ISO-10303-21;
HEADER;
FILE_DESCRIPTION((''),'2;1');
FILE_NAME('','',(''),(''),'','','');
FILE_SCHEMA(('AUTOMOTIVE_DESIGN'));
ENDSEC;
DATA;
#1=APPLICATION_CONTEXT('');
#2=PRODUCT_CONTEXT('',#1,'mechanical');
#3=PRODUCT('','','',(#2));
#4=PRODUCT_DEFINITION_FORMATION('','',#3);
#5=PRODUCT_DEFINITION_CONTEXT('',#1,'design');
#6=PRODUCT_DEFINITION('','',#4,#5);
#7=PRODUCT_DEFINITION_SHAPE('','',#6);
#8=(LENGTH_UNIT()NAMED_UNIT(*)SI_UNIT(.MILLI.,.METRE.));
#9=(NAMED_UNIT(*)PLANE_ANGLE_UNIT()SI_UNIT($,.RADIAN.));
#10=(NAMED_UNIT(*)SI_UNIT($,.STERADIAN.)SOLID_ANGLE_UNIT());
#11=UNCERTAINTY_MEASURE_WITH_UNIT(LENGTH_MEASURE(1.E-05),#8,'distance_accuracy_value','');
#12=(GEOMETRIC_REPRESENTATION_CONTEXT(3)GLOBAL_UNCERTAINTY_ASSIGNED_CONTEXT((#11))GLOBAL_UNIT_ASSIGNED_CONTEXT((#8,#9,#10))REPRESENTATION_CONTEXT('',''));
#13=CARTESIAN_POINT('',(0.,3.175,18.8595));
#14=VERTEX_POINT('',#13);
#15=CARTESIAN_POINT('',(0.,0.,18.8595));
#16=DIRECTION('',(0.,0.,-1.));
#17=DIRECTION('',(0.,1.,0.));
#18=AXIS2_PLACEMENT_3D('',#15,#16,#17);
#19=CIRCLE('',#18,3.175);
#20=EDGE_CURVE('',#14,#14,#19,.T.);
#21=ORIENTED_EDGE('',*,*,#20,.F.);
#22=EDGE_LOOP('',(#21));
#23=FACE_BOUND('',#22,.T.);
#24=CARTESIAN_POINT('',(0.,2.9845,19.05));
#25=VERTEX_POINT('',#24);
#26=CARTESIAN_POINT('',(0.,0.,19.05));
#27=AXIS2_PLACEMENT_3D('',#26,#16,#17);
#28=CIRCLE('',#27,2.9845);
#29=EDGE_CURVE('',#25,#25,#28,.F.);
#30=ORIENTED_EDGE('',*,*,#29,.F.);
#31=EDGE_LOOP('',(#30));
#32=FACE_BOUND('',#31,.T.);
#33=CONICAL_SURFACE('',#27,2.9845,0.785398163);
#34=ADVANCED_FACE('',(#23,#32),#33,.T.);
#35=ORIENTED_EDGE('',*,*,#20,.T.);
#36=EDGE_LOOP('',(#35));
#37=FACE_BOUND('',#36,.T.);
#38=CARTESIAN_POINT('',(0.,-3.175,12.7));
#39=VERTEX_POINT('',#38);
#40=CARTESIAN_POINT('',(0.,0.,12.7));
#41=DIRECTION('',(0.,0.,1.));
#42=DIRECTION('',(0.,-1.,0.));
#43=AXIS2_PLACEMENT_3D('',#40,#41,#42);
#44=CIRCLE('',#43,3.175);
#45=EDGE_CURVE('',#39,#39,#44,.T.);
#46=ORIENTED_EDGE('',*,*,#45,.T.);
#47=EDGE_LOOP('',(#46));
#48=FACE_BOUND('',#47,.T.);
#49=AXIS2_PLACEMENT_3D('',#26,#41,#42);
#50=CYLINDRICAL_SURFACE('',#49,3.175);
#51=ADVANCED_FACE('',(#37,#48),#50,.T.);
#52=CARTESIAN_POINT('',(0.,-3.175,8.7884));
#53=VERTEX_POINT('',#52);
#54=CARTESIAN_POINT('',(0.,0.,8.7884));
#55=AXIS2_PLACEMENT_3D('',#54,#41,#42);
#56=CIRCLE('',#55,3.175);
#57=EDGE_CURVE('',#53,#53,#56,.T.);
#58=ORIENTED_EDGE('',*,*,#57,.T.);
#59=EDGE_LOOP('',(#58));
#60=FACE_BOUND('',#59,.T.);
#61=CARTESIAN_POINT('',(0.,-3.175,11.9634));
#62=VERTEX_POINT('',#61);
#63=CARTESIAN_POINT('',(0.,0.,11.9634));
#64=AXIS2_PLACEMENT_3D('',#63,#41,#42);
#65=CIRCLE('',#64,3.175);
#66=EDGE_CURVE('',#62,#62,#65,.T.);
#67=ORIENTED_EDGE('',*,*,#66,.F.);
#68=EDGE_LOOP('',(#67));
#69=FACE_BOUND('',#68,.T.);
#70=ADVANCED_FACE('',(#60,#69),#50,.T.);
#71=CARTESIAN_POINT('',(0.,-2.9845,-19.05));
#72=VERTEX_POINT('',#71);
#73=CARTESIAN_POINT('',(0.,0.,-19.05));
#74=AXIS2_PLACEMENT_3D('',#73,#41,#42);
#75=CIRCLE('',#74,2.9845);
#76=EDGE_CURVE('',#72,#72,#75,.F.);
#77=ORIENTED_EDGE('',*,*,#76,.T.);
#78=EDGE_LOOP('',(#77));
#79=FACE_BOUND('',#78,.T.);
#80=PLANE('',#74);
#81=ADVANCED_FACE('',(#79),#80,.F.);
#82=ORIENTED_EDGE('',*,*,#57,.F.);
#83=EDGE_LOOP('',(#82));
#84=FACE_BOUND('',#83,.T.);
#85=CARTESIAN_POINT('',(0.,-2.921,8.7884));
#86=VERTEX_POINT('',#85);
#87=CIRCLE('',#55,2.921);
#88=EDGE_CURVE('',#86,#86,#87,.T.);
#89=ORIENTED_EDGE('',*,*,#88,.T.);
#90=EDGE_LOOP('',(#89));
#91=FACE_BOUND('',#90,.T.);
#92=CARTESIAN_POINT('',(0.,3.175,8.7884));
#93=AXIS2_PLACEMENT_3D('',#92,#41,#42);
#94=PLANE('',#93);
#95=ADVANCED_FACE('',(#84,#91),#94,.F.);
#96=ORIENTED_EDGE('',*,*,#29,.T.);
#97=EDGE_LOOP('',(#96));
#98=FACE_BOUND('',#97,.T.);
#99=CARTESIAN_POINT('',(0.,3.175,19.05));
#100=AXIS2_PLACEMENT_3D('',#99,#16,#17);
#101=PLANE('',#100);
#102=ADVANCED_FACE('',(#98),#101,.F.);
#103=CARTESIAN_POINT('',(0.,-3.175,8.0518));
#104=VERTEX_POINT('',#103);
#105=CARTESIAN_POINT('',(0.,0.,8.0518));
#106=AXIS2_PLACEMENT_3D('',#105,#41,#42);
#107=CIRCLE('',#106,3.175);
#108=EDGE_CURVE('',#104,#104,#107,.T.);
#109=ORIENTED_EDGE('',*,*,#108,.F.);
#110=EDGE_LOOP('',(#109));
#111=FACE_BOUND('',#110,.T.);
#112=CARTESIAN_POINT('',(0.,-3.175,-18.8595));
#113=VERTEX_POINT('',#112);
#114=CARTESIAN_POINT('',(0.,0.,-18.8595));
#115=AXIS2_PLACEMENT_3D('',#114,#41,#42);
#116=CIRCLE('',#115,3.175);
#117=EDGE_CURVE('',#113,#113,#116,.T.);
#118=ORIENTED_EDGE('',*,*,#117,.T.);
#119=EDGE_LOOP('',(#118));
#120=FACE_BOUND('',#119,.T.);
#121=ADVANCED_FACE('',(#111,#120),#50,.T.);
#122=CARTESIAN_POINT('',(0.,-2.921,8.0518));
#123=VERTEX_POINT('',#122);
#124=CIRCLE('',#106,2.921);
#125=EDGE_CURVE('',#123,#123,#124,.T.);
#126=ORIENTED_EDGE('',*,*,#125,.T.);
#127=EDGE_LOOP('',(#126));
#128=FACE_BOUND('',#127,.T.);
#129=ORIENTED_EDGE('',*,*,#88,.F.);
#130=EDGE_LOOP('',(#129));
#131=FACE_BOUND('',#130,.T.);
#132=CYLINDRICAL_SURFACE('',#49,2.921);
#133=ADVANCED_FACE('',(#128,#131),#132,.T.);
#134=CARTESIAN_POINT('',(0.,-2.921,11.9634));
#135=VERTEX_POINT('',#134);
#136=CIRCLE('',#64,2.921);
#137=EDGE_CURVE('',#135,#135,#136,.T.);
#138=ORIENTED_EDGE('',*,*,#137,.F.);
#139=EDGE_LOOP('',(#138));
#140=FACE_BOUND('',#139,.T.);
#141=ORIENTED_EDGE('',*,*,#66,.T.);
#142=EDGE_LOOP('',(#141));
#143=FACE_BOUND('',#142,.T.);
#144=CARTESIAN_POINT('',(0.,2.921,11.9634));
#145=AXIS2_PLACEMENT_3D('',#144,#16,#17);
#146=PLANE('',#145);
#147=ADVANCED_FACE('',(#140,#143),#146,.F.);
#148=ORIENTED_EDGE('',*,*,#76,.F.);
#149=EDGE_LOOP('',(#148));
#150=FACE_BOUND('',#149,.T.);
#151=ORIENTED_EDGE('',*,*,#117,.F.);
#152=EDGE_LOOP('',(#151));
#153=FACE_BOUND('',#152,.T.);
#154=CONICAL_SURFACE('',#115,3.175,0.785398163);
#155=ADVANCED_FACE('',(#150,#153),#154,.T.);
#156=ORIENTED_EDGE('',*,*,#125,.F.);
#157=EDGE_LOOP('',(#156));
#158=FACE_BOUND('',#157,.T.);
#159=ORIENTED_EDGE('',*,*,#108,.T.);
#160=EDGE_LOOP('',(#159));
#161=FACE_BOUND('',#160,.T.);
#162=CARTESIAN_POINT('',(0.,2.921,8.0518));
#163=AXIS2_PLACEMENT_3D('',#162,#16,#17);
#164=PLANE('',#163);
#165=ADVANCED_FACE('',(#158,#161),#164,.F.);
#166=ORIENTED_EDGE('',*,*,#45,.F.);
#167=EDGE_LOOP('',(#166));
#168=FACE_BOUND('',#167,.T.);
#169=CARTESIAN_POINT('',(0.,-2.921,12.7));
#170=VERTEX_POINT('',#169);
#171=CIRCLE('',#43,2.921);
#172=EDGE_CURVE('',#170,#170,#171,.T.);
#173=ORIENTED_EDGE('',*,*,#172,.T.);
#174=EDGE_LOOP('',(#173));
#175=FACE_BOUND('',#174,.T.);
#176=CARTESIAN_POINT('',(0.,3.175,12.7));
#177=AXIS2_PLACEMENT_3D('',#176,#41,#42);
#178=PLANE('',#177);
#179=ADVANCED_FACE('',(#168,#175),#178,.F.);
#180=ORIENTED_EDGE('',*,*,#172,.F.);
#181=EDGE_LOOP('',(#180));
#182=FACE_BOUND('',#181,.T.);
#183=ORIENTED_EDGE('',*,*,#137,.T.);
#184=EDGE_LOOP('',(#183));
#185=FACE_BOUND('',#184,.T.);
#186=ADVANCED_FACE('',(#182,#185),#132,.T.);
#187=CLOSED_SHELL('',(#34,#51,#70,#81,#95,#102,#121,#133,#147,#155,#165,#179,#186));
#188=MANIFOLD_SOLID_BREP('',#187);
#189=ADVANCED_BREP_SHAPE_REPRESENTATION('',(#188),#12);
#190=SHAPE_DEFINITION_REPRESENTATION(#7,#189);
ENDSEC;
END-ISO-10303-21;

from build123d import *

# Parameters (mm, degrees)
CHAMFER1_SIZE = 0.1905


with BuildPart() as part:
    # Sketch3 → Revolve1 (revolve)
    with BuildSketch(Plane(origin=(0, 0, 0), x_dir=(0, 0, -1), z_dir=(1, 0, 0)), mode=Mode.PRIVATE) as revolve1_sk:
        Polygon((-19.05, 3.175), (-19.05, 0), (19.05, 0), (19.05, 3.175), (-8.0518, 3.175), (-8.0518, 2.921), (-8.7884, 2.921), (-8.7884, 3.175), (-11.9634, 3.175), (-11.9634, 2.921), (-12.7, 2.921), (-12.7, 3.175), align=None)
    revolve(revolve1_sk.sketch.rotate(Axis((0, 0, 19.05), (0, 0, -1)), 180), axis=Axis((0, 0, 19.05), (0, 0, -1)))

    # Chamfer1
    chamfer1_edges = [part.edges().sort_by_distance(p)[0] for p in [
        (0, 3.175, 19.05),
        (0, 3.175, -19.05),
    ]]
    chamfer(chamfer1_edges, length=CHAMFER1_SIZE)


solid = part.part
